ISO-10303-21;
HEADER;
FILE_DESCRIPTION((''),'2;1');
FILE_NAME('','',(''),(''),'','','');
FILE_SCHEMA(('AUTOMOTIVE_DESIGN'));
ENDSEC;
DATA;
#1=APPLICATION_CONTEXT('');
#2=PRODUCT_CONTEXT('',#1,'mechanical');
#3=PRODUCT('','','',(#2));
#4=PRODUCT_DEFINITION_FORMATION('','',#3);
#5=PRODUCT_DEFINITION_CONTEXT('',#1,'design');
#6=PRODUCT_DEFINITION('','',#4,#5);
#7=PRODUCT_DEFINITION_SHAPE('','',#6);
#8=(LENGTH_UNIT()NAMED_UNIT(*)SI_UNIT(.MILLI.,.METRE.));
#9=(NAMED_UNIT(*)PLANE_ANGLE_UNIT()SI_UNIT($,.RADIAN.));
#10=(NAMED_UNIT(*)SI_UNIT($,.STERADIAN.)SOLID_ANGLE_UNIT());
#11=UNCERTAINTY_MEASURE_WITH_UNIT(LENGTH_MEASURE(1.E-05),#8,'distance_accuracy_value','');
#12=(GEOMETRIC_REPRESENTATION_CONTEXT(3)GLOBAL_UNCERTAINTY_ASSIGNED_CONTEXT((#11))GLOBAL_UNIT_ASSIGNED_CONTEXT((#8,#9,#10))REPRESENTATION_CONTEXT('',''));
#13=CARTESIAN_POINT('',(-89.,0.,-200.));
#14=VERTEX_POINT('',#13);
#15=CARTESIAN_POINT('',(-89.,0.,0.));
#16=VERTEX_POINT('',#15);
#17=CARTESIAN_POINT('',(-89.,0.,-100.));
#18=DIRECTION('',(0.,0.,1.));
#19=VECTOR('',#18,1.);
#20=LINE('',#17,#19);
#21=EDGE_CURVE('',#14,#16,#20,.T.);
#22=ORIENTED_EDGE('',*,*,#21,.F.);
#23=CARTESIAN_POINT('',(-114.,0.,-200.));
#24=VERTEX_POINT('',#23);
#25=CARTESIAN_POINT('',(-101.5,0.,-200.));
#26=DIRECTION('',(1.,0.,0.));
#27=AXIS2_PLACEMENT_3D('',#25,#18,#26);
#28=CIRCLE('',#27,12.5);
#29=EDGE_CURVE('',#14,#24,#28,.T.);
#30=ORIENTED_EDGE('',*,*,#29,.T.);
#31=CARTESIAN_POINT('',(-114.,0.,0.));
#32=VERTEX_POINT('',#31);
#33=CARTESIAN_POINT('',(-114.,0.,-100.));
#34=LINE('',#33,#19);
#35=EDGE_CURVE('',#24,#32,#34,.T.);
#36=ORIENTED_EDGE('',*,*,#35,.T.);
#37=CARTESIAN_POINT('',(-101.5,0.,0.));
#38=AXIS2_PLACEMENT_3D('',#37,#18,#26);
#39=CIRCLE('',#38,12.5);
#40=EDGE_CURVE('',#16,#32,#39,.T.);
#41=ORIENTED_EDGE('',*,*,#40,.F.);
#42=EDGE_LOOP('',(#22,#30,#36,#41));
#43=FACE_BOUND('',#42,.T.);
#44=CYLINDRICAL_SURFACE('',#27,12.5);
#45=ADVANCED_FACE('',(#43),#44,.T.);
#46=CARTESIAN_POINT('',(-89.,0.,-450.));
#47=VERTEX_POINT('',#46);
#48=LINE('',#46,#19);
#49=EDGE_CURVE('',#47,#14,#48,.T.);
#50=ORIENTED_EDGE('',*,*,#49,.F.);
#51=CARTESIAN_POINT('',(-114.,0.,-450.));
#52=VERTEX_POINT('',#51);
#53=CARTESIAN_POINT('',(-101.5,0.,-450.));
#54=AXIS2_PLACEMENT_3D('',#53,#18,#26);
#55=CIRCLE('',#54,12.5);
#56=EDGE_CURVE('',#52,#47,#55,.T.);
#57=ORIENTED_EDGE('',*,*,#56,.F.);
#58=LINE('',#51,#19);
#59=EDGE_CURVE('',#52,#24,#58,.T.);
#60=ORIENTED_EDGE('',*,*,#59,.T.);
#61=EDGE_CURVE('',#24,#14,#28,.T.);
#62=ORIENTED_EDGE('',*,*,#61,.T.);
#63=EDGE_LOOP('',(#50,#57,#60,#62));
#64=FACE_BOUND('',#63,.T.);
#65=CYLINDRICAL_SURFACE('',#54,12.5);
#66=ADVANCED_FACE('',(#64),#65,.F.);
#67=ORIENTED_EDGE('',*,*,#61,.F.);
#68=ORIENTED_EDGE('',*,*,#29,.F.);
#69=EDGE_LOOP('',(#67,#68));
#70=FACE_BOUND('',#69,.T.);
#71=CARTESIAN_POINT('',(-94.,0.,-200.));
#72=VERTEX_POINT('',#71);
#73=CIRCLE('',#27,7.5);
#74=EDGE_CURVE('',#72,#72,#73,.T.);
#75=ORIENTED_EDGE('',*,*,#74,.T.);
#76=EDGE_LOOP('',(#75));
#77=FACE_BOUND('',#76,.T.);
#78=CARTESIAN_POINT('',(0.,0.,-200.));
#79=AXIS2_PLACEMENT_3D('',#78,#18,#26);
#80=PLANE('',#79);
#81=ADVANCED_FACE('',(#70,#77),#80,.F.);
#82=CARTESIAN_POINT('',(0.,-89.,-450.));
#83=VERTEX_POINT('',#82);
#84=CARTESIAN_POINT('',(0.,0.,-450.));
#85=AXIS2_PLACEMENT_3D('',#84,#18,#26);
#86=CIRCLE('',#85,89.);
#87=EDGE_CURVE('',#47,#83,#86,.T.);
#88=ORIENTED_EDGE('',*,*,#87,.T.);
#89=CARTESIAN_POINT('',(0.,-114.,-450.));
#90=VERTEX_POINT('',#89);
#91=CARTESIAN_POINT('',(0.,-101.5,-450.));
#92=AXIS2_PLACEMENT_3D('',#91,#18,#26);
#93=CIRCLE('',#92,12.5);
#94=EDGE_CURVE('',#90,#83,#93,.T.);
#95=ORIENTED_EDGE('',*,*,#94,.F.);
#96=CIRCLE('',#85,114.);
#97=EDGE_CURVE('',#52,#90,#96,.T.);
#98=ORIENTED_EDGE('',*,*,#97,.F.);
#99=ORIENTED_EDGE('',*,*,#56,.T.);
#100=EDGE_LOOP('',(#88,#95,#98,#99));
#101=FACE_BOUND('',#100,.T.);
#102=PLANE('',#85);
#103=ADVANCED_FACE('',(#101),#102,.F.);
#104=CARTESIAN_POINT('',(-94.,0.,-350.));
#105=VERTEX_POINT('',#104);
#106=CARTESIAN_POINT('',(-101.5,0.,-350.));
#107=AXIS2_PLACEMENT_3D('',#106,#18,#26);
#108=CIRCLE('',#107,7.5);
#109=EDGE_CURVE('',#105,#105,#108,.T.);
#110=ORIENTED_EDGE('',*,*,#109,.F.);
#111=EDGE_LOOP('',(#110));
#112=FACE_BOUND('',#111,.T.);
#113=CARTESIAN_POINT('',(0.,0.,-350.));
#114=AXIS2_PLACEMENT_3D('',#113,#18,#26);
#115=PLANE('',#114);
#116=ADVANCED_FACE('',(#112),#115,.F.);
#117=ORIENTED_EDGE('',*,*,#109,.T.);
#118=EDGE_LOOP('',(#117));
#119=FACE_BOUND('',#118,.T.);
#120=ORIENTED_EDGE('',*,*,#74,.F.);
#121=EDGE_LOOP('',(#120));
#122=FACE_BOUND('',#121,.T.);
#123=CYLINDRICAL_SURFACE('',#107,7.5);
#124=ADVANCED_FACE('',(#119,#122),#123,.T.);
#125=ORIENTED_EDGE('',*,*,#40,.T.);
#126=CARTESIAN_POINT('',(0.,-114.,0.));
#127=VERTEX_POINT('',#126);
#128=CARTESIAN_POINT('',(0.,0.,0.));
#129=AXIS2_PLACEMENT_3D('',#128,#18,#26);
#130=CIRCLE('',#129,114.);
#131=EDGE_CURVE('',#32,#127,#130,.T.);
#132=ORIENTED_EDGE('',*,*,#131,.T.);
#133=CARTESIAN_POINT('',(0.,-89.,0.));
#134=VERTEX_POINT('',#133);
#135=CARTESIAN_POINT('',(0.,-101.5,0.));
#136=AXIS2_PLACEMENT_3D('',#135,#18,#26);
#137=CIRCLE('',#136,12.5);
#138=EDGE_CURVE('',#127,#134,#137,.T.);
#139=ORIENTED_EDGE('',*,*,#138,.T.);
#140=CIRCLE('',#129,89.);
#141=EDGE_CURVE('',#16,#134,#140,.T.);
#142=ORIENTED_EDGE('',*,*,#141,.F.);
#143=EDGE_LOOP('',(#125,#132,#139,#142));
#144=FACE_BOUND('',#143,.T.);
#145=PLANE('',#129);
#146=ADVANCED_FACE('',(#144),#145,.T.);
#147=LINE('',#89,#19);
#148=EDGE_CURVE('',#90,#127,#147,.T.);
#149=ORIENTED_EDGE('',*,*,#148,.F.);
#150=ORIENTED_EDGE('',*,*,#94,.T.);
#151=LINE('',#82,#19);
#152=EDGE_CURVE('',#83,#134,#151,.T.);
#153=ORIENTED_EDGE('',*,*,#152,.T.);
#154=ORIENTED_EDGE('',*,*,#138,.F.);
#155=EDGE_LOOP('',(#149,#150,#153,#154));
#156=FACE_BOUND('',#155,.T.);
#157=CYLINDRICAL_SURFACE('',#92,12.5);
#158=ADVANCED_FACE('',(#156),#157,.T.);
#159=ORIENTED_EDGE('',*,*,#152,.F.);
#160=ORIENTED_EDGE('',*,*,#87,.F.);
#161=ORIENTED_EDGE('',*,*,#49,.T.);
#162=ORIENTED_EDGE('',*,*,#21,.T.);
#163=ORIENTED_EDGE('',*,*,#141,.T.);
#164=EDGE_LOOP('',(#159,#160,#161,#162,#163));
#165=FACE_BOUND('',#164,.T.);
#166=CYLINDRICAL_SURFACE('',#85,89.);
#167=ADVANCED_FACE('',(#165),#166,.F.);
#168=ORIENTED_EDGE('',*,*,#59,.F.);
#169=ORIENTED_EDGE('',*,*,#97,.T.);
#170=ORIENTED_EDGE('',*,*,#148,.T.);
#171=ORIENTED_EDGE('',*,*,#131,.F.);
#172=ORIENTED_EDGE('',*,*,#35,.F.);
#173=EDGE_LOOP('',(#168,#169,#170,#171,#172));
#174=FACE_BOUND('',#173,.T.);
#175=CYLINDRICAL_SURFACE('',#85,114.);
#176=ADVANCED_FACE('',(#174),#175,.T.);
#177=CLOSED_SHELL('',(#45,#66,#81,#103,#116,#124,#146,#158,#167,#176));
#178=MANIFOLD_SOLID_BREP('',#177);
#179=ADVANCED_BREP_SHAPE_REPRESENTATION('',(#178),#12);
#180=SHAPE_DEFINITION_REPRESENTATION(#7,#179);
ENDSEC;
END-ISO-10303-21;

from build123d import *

# Parameters (mm, degrees)
BOSS_EXTRU_1_DEPTH = 450
ESQUISSE1_3_R      = 7.5
BOSS_EXTRU_2_DEPTH = 350
ESQUISSE1_4_R      = 7.5
BOSS_EXTRU_3_DEPTH = 200


with BuildPart() as part:
    # Esquisse1 → Boss.-Extru.1 (new body)
    with BuildSketch(Plane.XY):
        with BuildLine():
            ThreePointArc((-6e-09, -89), (-62.932503528, -62.932503523), (-89, 0))
            ThreePointArc((-89, 0), (-101.500000043, -12.5), (-114, 8.5e-08))
            ThreePointArc((-114, 8.5e-08), (-80.610173059, -80.610173051), (7.4e-08, -114))
            ThreePointArc((7.4e-08, -114), (12.5, -101.49999996), (-6e-09, -89))
        make_face()
    extrude(amount=-BOSS_EXTRU_1_DEPTH)



with BuildPart() as body_2:
    # Esquisse1<3> → Boss.-Extru.2 (new body)
    with BuildSketch(Plane.XY):
        with Locations((-101.5, 0)):
            Circle(ESQUISSE1_3_R)
    extrude(amount=-BOSS_EXTRU_2_DEPTH)


with BuildPart() as part_1:
    add(part.part)

    add(body_2.part)  # Boss.-Extru.3 merges body 2
    # Esquisse1<4> → Boss.-Extru.3 (add)
    with BuildSketch(Plane.XY):
        with BuildLine():
            ThreePointArc((-114, 8.5e-08), (-101.500000043, -12.5), (-89, 0))
            ThreePointArc((-89, 0), (-101.499999957, 12.5), (-114, 8.5e-08))
        make_face()
        with Locations((-101.5, 0)):
            Circle(ESQUISSE1_4_R, mode=Mode.SUBTRACT)
    extrude(amount=-BOSS_EXTRU_3_DEPTH)


solid = part_1.part
